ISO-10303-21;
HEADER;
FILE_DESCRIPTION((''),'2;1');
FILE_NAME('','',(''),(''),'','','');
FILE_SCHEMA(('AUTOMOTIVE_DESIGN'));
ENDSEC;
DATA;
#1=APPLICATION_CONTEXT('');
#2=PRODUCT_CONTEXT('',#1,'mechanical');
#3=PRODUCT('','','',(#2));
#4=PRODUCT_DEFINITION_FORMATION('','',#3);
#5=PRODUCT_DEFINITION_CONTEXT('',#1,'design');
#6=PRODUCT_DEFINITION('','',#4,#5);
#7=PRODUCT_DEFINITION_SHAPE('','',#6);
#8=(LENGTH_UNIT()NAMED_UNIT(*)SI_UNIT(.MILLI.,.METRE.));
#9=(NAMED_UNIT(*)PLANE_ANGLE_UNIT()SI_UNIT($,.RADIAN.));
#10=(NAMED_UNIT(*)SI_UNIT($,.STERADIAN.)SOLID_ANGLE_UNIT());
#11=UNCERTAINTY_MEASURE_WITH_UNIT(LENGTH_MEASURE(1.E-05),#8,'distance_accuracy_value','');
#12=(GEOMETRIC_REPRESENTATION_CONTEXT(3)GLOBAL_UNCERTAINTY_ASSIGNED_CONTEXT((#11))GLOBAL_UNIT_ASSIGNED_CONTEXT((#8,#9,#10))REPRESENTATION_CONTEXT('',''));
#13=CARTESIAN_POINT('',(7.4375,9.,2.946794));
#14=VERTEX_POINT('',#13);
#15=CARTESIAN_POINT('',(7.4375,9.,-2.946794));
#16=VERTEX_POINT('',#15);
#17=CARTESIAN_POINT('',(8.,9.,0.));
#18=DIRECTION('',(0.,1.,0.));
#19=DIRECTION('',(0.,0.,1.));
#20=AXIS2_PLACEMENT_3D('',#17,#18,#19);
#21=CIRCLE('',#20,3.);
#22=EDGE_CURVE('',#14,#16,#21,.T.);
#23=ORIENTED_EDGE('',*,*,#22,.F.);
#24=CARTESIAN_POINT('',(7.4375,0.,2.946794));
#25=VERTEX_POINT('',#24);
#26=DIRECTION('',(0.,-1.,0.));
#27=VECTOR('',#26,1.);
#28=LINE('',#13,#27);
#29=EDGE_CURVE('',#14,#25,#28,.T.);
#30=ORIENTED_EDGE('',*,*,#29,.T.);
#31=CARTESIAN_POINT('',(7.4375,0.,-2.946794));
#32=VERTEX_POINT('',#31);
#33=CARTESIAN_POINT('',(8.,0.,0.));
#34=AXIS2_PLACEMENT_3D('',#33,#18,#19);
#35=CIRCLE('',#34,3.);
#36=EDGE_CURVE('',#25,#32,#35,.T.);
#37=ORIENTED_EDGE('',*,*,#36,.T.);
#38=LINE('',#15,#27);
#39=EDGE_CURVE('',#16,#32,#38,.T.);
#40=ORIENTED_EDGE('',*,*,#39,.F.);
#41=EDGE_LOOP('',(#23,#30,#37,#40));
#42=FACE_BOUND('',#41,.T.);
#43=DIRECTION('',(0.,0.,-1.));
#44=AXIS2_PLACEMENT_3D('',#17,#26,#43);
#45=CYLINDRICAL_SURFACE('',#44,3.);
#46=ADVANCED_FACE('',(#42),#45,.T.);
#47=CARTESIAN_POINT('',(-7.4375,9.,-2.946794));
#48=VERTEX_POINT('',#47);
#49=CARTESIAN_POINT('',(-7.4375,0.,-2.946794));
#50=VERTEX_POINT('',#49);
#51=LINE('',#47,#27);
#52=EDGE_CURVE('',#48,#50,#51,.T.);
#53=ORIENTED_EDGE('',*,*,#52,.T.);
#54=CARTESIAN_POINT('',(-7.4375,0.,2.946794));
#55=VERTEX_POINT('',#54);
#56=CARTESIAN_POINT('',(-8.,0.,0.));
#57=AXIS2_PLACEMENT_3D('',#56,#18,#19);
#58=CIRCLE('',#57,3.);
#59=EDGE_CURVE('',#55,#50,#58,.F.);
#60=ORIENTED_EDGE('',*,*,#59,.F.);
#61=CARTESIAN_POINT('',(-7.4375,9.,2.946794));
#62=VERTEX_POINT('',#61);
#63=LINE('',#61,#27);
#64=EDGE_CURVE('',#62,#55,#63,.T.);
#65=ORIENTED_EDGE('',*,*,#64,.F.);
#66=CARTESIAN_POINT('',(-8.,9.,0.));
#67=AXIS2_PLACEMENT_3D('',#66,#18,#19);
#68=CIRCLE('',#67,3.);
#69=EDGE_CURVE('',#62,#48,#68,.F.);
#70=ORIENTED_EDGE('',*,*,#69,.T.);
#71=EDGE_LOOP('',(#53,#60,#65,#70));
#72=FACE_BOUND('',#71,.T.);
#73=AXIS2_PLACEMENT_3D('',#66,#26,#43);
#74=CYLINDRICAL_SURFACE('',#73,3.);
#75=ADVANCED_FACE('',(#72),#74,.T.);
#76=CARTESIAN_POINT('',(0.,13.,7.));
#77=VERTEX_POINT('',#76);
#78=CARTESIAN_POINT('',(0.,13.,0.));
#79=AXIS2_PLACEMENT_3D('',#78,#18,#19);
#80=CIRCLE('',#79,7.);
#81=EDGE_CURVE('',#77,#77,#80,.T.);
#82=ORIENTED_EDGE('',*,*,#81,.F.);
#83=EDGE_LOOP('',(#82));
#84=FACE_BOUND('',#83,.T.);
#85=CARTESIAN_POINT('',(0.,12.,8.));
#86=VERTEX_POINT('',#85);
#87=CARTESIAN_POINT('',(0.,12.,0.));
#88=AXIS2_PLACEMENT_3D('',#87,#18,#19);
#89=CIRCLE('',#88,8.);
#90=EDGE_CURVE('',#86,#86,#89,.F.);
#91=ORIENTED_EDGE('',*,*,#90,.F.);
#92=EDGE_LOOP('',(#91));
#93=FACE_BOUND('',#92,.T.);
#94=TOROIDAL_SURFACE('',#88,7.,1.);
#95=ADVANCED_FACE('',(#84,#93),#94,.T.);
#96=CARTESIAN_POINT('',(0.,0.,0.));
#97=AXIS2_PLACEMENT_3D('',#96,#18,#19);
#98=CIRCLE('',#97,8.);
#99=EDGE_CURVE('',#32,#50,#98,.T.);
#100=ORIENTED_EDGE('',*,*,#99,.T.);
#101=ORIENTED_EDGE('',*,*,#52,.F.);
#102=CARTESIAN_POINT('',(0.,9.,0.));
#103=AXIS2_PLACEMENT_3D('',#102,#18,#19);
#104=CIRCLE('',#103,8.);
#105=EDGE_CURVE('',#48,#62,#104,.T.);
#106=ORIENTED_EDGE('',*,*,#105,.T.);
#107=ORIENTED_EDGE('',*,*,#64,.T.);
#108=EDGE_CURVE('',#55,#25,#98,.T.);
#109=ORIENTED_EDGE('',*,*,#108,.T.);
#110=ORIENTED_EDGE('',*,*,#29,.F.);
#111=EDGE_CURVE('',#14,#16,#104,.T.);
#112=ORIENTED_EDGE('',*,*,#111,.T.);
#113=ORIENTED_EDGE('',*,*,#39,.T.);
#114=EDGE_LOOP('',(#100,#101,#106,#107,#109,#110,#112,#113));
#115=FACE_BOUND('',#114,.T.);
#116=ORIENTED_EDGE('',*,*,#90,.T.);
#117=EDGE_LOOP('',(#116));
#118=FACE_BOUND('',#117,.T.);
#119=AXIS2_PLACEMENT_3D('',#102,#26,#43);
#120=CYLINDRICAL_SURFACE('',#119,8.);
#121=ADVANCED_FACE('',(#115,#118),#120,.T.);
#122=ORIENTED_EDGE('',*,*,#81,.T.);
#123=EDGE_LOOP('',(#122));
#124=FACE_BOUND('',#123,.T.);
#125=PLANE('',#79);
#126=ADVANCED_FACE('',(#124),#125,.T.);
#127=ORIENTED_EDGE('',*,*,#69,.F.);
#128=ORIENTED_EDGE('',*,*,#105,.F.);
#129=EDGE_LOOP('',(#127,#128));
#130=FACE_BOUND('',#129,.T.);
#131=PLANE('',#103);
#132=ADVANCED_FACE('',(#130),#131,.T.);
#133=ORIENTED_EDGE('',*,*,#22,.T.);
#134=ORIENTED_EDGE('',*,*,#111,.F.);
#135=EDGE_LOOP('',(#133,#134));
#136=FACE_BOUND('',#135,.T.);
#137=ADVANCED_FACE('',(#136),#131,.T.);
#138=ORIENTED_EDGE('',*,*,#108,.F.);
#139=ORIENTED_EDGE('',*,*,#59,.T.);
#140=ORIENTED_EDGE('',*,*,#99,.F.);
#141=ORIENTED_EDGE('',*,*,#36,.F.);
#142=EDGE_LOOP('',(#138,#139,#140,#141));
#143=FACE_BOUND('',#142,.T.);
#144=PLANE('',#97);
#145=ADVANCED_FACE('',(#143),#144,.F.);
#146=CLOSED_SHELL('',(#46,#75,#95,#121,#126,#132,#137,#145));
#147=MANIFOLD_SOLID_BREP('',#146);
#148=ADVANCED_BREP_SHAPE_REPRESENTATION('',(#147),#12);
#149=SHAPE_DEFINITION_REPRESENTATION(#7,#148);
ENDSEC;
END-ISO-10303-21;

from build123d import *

# Parameters (mm, degrees)
SKETCH1_R           = 3
SKETCH1_R_2         = 8
BOSS_EXTRUDE1_DEPTH = 9
SKETCH2_R           = 8
BOSS_EXTRUDE2_DEPTH = 4
FILLET1_R           = 1


with BuildPart() as part:
    # Sketch1 → Boss-Extrude1 (new body)
    with BuildSketch(Plane(origin=(0, 0, 0), x_dir=(1, 0, 0), z_dir=(0, 1, 0))):
        with Locations((-8, 0)):
            Circle(SKETCH1_R)
        Circle(SKETCH1_R_2)
        with Locations((8, 0)):
            Circle(SKETCH1_R)
    extrude(amount=BOSS_EXTRUDE1_DEPTH)

    # Sketch2 → Boss-Extrude2 (add)
    with BuildSketch(Plane(origin=(0, 9, 0), x_dir=(1, 0, 0), z_dir=(0, 1, 0))):
        with Locations(Location((0, 0, 0), (0, 0, 158.38615425))):
            Circle(SKETCH2_R)
    extrude(amount=BOSS_EXTRUDE2_DEPTH)

    # Fillet1
    fillet1_edges = [part.edges().sort_by_distance(p)[0] for p in [
        (7.4375, 13, 2.946793809),
    ]]
    fillet(fillet1_edges, radius=FILLET1_R)


solid = part.part
